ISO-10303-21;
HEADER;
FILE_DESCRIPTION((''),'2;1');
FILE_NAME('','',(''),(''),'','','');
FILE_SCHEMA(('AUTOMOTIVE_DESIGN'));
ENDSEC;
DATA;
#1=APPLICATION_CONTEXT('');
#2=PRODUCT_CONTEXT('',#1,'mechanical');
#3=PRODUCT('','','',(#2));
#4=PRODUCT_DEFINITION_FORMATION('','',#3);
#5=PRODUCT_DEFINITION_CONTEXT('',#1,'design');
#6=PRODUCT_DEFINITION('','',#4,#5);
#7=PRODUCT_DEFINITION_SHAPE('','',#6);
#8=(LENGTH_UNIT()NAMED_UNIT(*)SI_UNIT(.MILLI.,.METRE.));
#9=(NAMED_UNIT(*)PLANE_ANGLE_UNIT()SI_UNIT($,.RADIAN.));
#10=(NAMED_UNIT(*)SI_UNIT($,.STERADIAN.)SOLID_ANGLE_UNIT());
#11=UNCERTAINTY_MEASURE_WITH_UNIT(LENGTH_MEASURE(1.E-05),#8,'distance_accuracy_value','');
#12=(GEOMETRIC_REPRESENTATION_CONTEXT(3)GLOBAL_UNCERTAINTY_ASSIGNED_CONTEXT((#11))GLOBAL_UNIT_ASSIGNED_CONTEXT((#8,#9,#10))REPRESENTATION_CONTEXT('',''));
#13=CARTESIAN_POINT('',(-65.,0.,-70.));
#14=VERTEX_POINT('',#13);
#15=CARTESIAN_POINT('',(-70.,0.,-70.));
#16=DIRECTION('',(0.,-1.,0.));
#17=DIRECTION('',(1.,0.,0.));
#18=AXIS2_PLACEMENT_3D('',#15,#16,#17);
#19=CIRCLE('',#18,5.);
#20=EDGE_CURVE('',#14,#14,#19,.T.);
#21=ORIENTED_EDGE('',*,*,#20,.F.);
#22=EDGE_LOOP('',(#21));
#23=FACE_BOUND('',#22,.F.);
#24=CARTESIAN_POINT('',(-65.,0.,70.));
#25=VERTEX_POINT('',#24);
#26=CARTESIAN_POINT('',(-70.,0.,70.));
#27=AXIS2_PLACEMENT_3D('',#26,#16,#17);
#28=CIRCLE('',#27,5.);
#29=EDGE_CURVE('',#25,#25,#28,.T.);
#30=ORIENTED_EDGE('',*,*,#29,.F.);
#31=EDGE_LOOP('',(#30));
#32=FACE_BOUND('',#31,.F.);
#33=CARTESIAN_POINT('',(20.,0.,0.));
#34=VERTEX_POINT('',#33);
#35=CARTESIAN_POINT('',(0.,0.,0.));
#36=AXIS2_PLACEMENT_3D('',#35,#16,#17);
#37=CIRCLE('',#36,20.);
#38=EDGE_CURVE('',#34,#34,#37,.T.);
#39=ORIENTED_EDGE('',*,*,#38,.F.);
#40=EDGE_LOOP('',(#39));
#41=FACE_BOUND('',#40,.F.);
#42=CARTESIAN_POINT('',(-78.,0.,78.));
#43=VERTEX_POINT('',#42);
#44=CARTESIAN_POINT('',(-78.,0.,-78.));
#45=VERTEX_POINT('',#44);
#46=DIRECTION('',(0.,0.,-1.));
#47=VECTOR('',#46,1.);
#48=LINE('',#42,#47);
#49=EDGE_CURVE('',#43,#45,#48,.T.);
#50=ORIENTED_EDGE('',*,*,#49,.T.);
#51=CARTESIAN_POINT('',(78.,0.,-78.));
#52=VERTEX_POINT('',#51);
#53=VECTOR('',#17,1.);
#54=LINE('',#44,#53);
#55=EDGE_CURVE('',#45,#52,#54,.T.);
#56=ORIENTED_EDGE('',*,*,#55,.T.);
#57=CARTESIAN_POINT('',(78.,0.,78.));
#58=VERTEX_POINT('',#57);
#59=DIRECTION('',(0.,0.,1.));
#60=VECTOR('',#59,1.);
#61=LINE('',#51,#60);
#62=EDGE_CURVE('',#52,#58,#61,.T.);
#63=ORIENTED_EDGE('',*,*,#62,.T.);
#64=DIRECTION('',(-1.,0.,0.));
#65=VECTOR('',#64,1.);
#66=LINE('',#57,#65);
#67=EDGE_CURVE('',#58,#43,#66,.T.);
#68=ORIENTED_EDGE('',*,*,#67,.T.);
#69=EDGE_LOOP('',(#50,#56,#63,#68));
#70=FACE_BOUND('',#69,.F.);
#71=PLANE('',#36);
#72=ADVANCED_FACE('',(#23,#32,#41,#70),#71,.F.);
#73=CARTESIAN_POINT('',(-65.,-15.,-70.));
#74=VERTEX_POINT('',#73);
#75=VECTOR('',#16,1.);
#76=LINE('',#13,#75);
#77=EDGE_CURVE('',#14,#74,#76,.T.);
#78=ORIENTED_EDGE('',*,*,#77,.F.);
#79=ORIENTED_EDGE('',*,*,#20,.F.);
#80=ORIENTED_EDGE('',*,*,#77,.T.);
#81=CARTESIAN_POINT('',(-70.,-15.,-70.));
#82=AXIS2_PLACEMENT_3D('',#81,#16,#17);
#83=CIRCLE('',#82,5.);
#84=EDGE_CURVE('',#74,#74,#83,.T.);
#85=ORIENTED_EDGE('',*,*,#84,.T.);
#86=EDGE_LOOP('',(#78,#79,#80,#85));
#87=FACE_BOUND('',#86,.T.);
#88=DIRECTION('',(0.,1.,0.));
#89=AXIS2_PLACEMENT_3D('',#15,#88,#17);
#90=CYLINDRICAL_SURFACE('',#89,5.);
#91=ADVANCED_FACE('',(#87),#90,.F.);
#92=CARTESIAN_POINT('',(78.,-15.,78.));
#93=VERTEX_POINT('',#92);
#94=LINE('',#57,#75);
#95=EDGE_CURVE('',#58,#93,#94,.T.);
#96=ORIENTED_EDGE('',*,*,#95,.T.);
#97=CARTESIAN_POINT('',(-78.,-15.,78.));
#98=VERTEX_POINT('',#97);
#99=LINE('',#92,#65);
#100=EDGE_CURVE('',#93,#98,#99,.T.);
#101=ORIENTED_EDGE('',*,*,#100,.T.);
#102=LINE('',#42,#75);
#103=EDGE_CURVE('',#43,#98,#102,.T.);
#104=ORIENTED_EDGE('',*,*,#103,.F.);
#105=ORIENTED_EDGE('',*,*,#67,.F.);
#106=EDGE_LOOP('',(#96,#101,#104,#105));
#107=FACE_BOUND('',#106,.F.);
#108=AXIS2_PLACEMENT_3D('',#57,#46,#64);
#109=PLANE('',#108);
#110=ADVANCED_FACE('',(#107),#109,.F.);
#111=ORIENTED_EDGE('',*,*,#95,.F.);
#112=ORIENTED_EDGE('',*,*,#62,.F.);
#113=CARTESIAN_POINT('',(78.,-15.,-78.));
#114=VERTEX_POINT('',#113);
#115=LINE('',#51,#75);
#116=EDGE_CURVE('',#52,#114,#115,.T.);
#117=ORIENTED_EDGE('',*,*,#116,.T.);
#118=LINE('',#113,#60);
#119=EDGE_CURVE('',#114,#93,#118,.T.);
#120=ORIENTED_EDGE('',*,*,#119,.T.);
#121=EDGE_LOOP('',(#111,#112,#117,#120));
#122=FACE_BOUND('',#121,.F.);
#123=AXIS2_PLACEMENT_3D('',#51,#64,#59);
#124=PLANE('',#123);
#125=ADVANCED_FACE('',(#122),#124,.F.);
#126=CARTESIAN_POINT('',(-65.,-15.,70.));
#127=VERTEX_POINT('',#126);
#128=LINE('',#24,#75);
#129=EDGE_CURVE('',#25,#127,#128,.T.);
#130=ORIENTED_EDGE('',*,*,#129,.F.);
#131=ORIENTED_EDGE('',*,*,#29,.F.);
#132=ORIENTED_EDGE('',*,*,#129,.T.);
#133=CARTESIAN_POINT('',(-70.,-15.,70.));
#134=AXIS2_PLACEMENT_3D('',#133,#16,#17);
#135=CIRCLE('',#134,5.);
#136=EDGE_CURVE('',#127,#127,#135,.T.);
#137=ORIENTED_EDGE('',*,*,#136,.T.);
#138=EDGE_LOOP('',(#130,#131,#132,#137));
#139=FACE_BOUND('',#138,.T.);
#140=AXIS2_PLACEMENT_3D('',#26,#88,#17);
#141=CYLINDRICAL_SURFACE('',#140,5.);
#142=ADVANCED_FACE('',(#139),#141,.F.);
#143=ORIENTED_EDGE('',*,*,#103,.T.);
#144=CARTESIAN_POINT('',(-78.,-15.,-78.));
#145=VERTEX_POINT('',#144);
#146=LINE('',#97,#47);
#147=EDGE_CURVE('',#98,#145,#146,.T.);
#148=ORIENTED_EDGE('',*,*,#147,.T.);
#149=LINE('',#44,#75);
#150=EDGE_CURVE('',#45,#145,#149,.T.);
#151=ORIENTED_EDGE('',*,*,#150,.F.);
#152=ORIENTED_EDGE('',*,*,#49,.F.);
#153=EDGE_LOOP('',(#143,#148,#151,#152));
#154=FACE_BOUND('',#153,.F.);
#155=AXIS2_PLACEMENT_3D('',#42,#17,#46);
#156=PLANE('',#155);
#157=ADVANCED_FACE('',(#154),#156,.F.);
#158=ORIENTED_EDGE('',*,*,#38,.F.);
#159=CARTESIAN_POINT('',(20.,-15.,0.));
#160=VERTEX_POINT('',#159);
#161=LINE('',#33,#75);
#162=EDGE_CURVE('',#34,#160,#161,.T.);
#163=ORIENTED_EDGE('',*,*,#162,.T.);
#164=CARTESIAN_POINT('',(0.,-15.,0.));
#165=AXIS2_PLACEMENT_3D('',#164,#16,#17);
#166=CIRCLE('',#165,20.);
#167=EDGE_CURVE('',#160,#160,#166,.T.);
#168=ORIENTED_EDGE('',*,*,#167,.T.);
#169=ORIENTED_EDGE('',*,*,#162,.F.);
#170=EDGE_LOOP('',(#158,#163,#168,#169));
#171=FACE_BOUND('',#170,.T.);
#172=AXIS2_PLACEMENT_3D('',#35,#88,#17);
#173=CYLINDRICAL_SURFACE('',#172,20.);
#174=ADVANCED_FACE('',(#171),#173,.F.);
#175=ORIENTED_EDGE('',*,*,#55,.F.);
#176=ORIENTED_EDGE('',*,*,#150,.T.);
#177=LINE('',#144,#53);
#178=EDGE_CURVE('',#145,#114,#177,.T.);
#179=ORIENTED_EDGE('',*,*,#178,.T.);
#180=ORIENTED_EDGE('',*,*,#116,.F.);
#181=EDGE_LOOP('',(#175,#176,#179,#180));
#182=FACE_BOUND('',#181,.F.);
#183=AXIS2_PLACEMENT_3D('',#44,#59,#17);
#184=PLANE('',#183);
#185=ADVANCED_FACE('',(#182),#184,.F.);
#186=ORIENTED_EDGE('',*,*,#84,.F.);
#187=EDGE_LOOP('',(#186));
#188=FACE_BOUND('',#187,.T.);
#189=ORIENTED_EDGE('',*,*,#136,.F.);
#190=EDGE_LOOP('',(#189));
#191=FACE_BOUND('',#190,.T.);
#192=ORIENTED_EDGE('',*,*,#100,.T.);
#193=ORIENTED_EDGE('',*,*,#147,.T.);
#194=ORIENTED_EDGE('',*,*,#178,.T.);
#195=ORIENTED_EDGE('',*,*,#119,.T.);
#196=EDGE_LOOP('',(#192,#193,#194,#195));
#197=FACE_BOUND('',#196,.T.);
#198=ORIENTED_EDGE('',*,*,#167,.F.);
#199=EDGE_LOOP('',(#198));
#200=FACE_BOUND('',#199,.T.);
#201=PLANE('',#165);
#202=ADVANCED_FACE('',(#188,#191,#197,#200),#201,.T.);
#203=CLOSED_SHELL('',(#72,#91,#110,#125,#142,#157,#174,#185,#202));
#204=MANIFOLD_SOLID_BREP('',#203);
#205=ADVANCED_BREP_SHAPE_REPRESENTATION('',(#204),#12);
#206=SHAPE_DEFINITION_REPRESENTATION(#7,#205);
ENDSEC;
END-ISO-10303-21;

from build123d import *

# Parameters (mm, degrees)
F0_R     = 5
F0_R_2   = 20
F1_DEPTH = 15


with BuildPart() as f1:
    # F0 (on Front) → F1 (new body)
    with BuildSketch(Plane.XZ):
        Polygon((-78, 78), (-78, -78), (-73, -78), (73, -78), (78, -78), (78, 78), (73, 78), (-73, 78), align=None)
        with Locations((-70, -70)):
            Circle(F0_R, mode=Mode.SUBTRACT)
        with Locations((-70, 70)):
            Circle(F0_R, mode=Mode.SUBTRACT)
        Circle(F0_R_2, mode=Mode.SUBTRACT)
    extrude(amount=F1_DEPTH)


solid = f1.part
